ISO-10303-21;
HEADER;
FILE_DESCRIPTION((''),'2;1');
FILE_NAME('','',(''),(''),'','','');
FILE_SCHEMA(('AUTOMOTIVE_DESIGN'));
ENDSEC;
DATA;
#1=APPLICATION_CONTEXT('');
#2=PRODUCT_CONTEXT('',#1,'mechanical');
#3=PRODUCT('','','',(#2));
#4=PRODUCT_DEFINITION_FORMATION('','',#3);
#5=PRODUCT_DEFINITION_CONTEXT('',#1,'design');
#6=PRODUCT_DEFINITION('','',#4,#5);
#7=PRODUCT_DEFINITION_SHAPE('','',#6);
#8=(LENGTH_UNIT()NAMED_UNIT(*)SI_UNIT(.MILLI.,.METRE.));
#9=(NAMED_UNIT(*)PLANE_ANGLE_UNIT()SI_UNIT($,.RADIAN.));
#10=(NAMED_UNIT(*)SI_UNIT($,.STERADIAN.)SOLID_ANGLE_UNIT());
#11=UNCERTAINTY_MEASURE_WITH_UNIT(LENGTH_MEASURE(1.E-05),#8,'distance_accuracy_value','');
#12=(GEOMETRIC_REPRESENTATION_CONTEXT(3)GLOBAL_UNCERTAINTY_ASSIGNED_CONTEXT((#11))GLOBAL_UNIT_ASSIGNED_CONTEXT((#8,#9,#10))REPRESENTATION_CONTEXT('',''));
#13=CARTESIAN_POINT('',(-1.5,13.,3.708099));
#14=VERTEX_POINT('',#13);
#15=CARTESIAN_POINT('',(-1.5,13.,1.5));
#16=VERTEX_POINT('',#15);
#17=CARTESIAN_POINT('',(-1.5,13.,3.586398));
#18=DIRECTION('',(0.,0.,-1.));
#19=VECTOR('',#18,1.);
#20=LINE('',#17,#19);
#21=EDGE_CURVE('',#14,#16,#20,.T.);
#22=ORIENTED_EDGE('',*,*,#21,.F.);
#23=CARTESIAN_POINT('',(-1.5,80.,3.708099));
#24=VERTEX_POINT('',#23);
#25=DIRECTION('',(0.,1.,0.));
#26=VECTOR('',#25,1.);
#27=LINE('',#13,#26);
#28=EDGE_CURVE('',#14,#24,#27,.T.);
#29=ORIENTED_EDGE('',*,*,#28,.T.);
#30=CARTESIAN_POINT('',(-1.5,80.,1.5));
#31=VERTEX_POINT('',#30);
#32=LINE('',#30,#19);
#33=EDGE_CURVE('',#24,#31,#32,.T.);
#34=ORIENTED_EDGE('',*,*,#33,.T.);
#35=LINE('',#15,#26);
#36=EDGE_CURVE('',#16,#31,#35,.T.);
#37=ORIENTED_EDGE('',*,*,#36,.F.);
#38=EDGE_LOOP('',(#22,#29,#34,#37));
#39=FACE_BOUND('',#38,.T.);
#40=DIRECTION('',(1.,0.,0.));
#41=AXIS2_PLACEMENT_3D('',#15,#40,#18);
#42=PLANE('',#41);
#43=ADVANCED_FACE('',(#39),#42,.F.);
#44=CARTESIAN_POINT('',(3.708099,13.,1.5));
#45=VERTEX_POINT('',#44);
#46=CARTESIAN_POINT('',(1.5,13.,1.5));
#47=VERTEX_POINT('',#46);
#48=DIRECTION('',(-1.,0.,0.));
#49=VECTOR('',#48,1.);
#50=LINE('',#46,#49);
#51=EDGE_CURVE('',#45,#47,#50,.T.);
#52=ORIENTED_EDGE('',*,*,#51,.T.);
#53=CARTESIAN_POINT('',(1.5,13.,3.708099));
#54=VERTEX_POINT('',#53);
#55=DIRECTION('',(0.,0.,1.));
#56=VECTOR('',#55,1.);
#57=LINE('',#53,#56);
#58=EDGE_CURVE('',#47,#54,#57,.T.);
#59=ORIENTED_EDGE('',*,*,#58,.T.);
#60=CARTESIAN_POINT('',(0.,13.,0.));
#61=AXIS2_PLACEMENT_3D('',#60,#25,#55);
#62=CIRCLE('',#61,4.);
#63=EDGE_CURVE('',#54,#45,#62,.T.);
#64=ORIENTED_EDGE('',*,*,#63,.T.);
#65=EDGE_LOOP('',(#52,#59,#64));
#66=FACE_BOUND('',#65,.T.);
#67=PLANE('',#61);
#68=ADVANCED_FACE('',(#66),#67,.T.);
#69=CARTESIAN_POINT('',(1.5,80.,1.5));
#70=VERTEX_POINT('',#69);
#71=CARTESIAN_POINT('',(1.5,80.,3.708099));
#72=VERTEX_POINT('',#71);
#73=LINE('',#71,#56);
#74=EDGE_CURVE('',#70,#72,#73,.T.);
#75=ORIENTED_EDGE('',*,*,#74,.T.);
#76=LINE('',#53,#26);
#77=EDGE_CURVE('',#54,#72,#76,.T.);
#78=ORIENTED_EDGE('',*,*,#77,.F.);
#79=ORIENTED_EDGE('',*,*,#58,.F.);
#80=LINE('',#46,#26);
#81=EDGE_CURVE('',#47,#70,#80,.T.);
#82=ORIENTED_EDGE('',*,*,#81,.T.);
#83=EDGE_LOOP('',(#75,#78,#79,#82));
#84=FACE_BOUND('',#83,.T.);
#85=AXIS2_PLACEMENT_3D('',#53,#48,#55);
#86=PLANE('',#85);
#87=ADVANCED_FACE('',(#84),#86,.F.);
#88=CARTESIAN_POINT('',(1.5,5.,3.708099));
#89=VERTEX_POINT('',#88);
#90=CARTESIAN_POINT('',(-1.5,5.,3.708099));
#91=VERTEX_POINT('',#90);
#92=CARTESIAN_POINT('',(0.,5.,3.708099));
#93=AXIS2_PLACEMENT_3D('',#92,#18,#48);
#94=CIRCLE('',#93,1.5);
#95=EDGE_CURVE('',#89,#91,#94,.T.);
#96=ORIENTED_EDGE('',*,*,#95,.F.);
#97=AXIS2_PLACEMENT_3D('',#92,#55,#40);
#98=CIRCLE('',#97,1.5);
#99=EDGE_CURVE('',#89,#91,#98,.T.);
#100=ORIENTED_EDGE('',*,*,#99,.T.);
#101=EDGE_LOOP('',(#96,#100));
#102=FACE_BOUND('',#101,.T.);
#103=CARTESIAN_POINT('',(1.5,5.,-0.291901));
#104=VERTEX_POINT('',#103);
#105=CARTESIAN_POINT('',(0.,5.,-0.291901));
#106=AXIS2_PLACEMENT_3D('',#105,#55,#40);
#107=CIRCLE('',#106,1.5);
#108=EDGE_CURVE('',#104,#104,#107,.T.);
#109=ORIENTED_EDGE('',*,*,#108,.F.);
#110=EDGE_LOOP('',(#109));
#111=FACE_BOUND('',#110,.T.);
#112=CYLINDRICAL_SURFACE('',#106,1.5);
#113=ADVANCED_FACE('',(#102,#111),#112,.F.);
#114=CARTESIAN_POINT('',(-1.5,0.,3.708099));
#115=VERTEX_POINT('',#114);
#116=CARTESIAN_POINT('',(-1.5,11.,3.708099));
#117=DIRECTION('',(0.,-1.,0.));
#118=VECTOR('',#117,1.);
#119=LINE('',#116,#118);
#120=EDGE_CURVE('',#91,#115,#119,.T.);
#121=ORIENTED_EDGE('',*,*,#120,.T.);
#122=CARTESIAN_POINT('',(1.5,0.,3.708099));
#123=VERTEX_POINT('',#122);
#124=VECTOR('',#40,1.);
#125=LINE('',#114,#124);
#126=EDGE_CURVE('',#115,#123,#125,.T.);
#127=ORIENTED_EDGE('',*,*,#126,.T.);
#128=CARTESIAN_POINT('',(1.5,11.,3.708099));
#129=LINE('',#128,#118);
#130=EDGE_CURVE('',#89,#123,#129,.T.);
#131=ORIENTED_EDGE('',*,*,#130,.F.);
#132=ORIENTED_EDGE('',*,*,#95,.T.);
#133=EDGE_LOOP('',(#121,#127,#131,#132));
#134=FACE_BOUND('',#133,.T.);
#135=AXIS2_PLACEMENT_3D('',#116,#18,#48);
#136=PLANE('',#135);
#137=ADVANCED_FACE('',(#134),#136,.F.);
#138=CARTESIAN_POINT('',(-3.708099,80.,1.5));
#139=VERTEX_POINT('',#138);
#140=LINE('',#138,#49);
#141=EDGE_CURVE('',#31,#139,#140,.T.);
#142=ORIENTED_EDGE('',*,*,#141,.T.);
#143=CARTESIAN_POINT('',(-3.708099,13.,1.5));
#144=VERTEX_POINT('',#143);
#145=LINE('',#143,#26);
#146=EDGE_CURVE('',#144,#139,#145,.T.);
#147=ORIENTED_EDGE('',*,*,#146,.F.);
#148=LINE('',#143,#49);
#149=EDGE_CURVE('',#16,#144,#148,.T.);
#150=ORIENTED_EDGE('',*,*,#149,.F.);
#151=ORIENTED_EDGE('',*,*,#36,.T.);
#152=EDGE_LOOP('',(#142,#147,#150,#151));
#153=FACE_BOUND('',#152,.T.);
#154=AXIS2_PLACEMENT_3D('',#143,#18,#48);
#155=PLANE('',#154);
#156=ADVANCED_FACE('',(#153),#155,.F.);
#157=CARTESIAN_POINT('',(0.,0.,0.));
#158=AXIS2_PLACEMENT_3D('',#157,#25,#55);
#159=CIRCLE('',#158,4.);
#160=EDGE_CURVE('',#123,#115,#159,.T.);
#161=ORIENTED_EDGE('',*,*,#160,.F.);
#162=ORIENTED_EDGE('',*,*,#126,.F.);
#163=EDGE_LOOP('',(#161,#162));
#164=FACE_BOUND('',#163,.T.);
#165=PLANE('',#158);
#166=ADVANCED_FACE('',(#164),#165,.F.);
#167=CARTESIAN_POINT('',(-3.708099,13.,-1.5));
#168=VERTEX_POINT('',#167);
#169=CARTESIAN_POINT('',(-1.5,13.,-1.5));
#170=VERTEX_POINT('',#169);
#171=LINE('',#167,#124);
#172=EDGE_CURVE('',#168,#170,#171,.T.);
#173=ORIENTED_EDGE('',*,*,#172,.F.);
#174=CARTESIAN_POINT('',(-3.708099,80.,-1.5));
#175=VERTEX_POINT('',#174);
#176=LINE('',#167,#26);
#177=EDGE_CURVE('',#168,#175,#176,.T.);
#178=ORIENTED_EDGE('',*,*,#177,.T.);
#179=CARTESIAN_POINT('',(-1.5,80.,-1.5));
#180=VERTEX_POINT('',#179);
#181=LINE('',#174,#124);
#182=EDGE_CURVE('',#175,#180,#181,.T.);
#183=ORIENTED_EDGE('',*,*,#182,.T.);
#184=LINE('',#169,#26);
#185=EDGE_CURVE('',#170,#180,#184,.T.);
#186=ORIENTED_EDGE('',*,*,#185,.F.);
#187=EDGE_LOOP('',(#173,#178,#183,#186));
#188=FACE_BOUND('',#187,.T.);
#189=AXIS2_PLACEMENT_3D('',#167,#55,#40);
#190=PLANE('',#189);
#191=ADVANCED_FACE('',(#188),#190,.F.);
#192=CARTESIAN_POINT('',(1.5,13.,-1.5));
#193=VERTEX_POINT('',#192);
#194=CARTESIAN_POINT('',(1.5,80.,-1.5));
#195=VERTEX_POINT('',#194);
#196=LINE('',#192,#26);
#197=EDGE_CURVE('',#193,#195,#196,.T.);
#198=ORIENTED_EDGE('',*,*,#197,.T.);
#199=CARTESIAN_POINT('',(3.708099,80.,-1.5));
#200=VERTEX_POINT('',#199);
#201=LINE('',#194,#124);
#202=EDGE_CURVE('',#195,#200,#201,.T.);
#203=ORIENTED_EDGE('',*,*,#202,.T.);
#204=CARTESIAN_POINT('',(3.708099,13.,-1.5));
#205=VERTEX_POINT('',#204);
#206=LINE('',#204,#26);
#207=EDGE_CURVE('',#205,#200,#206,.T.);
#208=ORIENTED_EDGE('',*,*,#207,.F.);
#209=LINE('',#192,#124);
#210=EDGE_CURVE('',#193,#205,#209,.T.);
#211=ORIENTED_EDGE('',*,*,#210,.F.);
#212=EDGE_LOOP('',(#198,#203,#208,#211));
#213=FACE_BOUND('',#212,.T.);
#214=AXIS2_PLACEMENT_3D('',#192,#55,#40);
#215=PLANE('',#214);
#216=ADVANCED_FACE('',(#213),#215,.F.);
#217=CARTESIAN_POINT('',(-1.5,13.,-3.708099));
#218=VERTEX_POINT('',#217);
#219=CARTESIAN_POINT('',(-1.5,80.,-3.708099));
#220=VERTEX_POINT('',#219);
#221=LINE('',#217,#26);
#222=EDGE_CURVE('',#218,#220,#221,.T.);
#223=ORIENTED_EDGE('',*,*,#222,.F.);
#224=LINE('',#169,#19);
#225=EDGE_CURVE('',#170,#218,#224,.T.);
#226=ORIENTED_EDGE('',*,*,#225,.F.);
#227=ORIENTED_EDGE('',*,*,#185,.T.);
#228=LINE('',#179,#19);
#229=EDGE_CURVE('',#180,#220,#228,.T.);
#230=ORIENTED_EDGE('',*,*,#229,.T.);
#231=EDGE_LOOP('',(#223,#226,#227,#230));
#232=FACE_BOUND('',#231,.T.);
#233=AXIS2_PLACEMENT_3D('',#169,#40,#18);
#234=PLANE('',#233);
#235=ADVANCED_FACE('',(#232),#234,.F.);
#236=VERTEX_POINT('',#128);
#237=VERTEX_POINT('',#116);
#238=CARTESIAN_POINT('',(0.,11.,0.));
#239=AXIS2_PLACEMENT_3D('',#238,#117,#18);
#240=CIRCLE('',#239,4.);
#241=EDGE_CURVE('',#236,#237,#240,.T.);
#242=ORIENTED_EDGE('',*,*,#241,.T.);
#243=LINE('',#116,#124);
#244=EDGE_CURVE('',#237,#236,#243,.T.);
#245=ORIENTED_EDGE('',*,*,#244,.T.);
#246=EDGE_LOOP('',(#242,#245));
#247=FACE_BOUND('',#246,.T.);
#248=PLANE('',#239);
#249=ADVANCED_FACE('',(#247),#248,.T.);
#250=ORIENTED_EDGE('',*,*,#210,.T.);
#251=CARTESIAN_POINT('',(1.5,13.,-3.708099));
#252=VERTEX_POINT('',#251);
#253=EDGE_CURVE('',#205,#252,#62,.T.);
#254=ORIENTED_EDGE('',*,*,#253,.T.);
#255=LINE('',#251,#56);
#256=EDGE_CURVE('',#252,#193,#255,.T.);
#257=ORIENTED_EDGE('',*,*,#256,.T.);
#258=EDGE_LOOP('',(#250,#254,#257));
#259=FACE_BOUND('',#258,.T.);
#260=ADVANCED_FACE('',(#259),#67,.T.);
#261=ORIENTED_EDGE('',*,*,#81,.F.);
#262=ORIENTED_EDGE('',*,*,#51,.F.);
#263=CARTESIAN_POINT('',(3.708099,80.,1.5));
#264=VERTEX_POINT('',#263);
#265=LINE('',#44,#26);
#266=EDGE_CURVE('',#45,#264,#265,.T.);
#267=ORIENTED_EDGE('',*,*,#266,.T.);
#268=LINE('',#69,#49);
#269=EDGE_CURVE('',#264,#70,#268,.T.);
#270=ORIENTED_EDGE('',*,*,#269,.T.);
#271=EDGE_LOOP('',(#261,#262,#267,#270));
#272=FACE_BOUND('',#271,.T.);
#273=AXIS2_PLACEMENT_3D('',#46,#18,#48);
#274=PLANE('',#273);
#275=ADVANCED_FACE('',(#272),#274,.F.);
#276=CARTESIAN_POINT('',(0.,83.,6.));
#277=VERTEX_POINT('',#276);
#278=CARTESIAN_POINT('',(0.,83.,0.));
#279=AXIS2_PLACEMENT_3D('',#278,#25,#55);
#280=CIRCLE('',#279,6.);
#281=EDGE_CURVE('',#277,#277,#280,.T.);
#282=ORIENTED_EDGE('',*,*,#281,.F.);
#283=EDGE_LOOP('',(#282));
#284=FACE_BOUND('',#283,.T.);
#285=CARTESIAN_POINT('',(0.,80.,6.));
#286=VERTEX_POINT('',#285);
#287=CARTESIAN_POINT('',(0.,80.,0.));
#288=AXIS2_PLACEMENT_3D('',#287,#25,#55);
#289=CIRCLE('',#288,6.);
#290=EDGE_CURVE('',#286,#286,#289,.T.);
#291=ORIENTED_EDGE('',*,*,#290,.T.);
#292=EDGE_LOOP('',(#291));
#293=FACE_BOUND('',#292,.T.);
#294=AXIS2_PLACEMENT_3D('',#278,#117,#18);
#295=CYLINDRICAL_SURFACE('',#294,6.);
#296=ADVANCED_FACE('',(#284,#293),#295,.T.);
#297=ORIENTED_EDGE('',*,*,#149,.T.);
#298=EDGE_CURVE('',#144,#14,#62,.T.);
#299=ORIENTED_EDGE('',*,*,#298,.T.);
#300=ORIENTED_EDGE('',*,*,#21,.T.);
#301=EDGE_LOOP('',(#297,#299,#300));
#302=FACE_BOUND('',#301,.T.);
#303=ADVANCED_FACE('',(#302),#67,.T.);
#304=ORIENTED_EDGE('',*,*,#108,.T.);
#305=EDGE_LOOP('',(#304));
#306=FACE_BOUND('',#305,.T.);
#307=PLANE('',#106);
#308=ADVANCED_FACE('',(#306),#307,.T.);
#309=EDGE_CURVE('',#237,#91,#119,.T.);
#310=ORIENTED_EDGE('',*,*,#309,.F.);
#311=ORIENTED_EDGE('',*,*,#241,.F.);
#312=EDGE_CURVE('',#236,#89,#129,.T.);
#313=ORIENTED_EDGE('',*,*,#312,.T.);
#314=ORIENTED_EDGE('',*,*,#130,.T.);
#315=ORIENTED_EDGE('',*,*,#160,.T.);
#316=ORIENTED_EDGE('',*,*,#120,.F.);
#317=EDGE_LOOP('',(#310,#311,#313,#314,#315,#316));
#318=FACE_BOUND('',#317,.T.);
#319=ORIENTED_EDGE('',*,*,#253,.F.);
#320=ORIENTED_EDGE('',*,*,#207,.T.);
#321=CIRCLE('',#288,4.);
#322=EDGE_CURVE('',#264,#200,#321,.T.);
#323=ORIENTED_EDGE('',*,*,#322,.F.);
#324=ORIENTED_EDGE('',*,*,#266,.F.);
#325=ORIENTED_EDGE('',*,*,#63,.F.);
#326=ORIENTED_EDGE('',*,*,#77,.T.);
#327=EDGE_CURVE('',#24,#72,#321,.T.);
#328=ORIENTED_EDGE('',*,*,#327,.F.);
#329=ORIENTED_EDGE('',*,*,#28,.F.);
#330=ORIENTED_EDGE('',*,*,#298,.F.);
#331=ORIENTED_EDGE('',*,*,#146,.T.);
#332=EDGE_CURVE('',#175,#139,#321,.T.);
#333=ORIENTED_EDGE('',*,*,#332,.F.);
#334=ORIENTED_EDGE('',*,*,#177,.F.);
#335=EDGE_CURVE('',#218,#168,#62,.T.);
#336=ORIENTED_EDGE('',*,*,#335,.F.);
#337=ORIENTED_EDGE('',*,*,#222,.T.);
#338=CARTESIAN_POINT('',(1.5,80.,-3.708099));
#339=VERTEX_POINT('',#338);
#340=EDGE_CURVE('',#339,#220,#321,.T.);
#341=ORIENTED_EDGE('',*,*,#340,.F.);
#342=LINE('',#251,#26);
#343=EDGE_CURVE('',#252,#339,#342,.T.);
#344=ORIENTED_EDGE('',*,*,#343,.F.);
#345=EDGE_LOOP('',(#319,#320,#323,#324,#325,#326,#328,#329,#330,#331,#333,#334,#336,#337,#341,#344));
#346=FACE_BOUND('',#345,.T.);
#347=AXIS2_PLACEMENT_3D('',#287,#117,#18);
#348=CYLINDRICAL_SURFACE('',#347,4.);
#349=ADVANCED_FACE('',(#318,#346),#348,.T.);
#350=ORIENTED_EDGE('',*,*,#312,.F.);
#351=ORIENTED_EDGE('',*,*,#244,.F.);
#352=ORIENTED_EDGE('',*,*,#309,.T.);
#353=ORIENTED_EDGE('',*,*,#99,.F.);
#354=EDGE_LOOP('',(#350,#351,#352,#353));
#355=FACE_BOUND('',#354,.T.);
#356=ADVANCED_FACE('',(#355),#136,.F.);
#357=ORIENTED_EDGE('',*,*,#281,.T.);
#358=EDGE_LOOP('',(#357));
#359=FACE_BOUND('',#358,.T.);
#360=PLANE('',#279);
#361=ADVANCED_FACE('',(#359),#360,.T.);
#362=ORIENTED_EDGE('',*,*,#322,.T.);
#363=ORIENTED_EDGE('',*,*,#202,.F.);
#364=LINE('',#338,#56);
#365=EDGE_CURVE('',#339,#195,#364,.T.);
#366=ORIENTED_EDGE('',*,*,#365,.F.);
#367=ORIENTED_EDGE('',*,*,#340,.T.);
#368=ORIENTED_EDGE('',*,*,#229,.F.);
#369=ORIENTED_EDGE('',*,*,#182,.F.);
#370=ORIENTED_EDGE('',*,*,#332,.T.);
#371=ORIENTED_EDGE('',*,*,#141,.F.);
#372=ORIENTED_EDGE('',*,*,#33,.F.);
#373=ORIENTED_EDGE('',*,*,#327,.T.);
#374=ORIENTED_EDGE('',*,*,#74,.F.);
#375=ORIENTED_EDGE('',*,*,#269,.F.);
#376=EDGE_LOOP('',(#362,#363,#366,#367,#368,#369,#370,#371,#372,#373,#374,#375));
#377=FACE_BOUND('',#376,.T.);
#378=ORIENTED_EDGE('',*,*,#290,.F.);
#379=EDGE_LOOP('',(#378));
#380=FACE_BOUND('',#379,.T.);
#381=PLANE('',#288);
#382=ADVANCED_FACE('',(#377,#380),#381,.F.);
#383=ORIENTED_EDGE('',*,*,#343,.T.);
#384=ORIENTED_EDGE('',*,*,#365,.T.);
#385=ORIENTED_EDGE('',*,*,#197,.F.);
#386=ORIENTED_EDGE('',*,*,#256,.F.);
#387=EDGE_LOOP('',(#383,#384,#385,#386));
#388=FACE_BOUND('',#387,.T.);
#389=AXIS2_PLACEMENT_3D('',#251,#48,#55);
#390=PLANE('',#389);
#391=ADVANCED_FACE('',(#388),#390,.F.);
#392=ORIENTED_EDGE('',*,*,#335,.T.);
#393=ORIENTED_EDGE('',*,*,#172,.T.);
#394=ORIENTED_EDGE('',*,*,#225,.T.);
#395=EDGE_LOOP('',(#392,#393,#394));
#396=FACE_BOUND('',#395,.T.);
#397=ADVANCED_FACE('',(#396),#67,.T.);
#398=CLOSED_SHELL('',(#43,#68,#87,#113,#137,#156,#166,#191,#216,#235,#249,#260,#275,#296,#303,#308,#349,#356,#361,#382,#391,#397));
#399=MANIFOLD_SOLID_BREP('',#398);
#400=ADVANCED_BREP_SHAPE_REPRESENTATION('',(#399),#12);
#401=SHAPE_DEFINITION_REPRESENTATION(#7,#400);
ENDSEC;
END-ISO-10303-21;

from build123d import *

# Parameters (mm, degrees)
SKETCH1_R           = 4
BOSS_EXTRUDE1_DEPTH = 80
CUT_EXTRUDE1_DEPTH  = 11
SKETCH3_R           = 1.5
CUT_EXTRUDE2_DEPTH  = 4
CUT_EXTRUDE3_DEPTH  = 67
SKETCH5_R           = 6
BOSS_EXTRUDE2_DEPTH = 3


with BuildPart() as part:
    # Sketch1 → Boss-Extrude1 (new body)
    with BuildSketch(Plane(origin=(0, 0, 0), x_dir=(1, 0, 0), z_dir=(0, 1, 0))):
        Circle(SKETCH1_R)
    extrude(amount=BOSS_EXTRUDE1_DEPTH)

    # Sketch2 → Cut-Extrude1 (cut)
    with BuildSketch(Plane.XZ):
        with BuildLine():
            Line((-1.5, 3.708099244), (1.5, 3.708099244))
            ThreePointArc((1.5, 3.708099244), (0, 4), (-1.5, 3.708099244))
        make_face()
    extrude(amount=-CUT_EXTRUDE1_DEPTH, mode=Mode.SUBTRACT)

    # Sketch3 → Cut-Extrude2 (cut)
    with BuildSketch(Plane.XY.offset(3.708099244)):
        with Locations((0, 5)):
            Circle(SKETCH3_R)
    extrude(amount=-CUT_EXTRUDE2_DEPTH, mode=Mode.SUBTRACT)

    # Sketch4 → Cut-Extrude3 (cut)
    with BuildSketch(Plane(origin=(0, 80, 0), x_dir=(1, 0, 0), z_dir=(0, 1, 0))):
        with BuildLine():
            Line((-1.5, -3.586397938), (-1.5, -3.708099244))
            ThreePointArc((-1.5, -3.708099244), (-2.828427125, -2.828427125), (-3.708099244, -1.5))
            Line((-3.708099244, -1.5), (-1.5, -1.5))
            Line((-1.5, -1.5), (-1.5, -3.586397938))
        make_face()
        with BuildLine():
            Line((-3.708099244, 1.5), (-1.5, 1.5))
            Line((-1.5, 1.5), (-1.5, 3.708099244))
            ThreePointArc((-1.5, 3.708099244), (-2.828427125, 2.828427125), (-3.708099244, 1.5))
        make_face()
        with BuildLine():
            Line((1.5, 3.708099244), (1.5, 1.5))
            Line((1.5, 1.5), (3.708099244, 1.5))
            ThreePointArc((3.708099244, 1.5), (2.828427125, 2.828427125), (1.5, 3.708099244))
        make_face()
        with BuildLine():
            Line((1.5, -3.708099244), (1.5, -1.5))
            Line((1.5, -1.5), (3.708099244, -1.5))
            ThreePointArc((3.708099244, -1.5), (2.828427125, -2.828427125), (1.5, -3.708099244))
        make_face()
    extrude(amount=-CUT_EXTRUDE3_DEPTH, mode=Mode.SUBTRACT)

    # Sketch5 → Boss-Extrude2 (add)
    with BuildSketch(Plane(origin=(0, 80, 0), x_dir=(1, 0, 0), z_dir=(0, 1, 0))):
        Circle(SKETCH5_R)
    extrude(amount=BOSS_EXTRUDE2_DEPTH)


solid = part.part
